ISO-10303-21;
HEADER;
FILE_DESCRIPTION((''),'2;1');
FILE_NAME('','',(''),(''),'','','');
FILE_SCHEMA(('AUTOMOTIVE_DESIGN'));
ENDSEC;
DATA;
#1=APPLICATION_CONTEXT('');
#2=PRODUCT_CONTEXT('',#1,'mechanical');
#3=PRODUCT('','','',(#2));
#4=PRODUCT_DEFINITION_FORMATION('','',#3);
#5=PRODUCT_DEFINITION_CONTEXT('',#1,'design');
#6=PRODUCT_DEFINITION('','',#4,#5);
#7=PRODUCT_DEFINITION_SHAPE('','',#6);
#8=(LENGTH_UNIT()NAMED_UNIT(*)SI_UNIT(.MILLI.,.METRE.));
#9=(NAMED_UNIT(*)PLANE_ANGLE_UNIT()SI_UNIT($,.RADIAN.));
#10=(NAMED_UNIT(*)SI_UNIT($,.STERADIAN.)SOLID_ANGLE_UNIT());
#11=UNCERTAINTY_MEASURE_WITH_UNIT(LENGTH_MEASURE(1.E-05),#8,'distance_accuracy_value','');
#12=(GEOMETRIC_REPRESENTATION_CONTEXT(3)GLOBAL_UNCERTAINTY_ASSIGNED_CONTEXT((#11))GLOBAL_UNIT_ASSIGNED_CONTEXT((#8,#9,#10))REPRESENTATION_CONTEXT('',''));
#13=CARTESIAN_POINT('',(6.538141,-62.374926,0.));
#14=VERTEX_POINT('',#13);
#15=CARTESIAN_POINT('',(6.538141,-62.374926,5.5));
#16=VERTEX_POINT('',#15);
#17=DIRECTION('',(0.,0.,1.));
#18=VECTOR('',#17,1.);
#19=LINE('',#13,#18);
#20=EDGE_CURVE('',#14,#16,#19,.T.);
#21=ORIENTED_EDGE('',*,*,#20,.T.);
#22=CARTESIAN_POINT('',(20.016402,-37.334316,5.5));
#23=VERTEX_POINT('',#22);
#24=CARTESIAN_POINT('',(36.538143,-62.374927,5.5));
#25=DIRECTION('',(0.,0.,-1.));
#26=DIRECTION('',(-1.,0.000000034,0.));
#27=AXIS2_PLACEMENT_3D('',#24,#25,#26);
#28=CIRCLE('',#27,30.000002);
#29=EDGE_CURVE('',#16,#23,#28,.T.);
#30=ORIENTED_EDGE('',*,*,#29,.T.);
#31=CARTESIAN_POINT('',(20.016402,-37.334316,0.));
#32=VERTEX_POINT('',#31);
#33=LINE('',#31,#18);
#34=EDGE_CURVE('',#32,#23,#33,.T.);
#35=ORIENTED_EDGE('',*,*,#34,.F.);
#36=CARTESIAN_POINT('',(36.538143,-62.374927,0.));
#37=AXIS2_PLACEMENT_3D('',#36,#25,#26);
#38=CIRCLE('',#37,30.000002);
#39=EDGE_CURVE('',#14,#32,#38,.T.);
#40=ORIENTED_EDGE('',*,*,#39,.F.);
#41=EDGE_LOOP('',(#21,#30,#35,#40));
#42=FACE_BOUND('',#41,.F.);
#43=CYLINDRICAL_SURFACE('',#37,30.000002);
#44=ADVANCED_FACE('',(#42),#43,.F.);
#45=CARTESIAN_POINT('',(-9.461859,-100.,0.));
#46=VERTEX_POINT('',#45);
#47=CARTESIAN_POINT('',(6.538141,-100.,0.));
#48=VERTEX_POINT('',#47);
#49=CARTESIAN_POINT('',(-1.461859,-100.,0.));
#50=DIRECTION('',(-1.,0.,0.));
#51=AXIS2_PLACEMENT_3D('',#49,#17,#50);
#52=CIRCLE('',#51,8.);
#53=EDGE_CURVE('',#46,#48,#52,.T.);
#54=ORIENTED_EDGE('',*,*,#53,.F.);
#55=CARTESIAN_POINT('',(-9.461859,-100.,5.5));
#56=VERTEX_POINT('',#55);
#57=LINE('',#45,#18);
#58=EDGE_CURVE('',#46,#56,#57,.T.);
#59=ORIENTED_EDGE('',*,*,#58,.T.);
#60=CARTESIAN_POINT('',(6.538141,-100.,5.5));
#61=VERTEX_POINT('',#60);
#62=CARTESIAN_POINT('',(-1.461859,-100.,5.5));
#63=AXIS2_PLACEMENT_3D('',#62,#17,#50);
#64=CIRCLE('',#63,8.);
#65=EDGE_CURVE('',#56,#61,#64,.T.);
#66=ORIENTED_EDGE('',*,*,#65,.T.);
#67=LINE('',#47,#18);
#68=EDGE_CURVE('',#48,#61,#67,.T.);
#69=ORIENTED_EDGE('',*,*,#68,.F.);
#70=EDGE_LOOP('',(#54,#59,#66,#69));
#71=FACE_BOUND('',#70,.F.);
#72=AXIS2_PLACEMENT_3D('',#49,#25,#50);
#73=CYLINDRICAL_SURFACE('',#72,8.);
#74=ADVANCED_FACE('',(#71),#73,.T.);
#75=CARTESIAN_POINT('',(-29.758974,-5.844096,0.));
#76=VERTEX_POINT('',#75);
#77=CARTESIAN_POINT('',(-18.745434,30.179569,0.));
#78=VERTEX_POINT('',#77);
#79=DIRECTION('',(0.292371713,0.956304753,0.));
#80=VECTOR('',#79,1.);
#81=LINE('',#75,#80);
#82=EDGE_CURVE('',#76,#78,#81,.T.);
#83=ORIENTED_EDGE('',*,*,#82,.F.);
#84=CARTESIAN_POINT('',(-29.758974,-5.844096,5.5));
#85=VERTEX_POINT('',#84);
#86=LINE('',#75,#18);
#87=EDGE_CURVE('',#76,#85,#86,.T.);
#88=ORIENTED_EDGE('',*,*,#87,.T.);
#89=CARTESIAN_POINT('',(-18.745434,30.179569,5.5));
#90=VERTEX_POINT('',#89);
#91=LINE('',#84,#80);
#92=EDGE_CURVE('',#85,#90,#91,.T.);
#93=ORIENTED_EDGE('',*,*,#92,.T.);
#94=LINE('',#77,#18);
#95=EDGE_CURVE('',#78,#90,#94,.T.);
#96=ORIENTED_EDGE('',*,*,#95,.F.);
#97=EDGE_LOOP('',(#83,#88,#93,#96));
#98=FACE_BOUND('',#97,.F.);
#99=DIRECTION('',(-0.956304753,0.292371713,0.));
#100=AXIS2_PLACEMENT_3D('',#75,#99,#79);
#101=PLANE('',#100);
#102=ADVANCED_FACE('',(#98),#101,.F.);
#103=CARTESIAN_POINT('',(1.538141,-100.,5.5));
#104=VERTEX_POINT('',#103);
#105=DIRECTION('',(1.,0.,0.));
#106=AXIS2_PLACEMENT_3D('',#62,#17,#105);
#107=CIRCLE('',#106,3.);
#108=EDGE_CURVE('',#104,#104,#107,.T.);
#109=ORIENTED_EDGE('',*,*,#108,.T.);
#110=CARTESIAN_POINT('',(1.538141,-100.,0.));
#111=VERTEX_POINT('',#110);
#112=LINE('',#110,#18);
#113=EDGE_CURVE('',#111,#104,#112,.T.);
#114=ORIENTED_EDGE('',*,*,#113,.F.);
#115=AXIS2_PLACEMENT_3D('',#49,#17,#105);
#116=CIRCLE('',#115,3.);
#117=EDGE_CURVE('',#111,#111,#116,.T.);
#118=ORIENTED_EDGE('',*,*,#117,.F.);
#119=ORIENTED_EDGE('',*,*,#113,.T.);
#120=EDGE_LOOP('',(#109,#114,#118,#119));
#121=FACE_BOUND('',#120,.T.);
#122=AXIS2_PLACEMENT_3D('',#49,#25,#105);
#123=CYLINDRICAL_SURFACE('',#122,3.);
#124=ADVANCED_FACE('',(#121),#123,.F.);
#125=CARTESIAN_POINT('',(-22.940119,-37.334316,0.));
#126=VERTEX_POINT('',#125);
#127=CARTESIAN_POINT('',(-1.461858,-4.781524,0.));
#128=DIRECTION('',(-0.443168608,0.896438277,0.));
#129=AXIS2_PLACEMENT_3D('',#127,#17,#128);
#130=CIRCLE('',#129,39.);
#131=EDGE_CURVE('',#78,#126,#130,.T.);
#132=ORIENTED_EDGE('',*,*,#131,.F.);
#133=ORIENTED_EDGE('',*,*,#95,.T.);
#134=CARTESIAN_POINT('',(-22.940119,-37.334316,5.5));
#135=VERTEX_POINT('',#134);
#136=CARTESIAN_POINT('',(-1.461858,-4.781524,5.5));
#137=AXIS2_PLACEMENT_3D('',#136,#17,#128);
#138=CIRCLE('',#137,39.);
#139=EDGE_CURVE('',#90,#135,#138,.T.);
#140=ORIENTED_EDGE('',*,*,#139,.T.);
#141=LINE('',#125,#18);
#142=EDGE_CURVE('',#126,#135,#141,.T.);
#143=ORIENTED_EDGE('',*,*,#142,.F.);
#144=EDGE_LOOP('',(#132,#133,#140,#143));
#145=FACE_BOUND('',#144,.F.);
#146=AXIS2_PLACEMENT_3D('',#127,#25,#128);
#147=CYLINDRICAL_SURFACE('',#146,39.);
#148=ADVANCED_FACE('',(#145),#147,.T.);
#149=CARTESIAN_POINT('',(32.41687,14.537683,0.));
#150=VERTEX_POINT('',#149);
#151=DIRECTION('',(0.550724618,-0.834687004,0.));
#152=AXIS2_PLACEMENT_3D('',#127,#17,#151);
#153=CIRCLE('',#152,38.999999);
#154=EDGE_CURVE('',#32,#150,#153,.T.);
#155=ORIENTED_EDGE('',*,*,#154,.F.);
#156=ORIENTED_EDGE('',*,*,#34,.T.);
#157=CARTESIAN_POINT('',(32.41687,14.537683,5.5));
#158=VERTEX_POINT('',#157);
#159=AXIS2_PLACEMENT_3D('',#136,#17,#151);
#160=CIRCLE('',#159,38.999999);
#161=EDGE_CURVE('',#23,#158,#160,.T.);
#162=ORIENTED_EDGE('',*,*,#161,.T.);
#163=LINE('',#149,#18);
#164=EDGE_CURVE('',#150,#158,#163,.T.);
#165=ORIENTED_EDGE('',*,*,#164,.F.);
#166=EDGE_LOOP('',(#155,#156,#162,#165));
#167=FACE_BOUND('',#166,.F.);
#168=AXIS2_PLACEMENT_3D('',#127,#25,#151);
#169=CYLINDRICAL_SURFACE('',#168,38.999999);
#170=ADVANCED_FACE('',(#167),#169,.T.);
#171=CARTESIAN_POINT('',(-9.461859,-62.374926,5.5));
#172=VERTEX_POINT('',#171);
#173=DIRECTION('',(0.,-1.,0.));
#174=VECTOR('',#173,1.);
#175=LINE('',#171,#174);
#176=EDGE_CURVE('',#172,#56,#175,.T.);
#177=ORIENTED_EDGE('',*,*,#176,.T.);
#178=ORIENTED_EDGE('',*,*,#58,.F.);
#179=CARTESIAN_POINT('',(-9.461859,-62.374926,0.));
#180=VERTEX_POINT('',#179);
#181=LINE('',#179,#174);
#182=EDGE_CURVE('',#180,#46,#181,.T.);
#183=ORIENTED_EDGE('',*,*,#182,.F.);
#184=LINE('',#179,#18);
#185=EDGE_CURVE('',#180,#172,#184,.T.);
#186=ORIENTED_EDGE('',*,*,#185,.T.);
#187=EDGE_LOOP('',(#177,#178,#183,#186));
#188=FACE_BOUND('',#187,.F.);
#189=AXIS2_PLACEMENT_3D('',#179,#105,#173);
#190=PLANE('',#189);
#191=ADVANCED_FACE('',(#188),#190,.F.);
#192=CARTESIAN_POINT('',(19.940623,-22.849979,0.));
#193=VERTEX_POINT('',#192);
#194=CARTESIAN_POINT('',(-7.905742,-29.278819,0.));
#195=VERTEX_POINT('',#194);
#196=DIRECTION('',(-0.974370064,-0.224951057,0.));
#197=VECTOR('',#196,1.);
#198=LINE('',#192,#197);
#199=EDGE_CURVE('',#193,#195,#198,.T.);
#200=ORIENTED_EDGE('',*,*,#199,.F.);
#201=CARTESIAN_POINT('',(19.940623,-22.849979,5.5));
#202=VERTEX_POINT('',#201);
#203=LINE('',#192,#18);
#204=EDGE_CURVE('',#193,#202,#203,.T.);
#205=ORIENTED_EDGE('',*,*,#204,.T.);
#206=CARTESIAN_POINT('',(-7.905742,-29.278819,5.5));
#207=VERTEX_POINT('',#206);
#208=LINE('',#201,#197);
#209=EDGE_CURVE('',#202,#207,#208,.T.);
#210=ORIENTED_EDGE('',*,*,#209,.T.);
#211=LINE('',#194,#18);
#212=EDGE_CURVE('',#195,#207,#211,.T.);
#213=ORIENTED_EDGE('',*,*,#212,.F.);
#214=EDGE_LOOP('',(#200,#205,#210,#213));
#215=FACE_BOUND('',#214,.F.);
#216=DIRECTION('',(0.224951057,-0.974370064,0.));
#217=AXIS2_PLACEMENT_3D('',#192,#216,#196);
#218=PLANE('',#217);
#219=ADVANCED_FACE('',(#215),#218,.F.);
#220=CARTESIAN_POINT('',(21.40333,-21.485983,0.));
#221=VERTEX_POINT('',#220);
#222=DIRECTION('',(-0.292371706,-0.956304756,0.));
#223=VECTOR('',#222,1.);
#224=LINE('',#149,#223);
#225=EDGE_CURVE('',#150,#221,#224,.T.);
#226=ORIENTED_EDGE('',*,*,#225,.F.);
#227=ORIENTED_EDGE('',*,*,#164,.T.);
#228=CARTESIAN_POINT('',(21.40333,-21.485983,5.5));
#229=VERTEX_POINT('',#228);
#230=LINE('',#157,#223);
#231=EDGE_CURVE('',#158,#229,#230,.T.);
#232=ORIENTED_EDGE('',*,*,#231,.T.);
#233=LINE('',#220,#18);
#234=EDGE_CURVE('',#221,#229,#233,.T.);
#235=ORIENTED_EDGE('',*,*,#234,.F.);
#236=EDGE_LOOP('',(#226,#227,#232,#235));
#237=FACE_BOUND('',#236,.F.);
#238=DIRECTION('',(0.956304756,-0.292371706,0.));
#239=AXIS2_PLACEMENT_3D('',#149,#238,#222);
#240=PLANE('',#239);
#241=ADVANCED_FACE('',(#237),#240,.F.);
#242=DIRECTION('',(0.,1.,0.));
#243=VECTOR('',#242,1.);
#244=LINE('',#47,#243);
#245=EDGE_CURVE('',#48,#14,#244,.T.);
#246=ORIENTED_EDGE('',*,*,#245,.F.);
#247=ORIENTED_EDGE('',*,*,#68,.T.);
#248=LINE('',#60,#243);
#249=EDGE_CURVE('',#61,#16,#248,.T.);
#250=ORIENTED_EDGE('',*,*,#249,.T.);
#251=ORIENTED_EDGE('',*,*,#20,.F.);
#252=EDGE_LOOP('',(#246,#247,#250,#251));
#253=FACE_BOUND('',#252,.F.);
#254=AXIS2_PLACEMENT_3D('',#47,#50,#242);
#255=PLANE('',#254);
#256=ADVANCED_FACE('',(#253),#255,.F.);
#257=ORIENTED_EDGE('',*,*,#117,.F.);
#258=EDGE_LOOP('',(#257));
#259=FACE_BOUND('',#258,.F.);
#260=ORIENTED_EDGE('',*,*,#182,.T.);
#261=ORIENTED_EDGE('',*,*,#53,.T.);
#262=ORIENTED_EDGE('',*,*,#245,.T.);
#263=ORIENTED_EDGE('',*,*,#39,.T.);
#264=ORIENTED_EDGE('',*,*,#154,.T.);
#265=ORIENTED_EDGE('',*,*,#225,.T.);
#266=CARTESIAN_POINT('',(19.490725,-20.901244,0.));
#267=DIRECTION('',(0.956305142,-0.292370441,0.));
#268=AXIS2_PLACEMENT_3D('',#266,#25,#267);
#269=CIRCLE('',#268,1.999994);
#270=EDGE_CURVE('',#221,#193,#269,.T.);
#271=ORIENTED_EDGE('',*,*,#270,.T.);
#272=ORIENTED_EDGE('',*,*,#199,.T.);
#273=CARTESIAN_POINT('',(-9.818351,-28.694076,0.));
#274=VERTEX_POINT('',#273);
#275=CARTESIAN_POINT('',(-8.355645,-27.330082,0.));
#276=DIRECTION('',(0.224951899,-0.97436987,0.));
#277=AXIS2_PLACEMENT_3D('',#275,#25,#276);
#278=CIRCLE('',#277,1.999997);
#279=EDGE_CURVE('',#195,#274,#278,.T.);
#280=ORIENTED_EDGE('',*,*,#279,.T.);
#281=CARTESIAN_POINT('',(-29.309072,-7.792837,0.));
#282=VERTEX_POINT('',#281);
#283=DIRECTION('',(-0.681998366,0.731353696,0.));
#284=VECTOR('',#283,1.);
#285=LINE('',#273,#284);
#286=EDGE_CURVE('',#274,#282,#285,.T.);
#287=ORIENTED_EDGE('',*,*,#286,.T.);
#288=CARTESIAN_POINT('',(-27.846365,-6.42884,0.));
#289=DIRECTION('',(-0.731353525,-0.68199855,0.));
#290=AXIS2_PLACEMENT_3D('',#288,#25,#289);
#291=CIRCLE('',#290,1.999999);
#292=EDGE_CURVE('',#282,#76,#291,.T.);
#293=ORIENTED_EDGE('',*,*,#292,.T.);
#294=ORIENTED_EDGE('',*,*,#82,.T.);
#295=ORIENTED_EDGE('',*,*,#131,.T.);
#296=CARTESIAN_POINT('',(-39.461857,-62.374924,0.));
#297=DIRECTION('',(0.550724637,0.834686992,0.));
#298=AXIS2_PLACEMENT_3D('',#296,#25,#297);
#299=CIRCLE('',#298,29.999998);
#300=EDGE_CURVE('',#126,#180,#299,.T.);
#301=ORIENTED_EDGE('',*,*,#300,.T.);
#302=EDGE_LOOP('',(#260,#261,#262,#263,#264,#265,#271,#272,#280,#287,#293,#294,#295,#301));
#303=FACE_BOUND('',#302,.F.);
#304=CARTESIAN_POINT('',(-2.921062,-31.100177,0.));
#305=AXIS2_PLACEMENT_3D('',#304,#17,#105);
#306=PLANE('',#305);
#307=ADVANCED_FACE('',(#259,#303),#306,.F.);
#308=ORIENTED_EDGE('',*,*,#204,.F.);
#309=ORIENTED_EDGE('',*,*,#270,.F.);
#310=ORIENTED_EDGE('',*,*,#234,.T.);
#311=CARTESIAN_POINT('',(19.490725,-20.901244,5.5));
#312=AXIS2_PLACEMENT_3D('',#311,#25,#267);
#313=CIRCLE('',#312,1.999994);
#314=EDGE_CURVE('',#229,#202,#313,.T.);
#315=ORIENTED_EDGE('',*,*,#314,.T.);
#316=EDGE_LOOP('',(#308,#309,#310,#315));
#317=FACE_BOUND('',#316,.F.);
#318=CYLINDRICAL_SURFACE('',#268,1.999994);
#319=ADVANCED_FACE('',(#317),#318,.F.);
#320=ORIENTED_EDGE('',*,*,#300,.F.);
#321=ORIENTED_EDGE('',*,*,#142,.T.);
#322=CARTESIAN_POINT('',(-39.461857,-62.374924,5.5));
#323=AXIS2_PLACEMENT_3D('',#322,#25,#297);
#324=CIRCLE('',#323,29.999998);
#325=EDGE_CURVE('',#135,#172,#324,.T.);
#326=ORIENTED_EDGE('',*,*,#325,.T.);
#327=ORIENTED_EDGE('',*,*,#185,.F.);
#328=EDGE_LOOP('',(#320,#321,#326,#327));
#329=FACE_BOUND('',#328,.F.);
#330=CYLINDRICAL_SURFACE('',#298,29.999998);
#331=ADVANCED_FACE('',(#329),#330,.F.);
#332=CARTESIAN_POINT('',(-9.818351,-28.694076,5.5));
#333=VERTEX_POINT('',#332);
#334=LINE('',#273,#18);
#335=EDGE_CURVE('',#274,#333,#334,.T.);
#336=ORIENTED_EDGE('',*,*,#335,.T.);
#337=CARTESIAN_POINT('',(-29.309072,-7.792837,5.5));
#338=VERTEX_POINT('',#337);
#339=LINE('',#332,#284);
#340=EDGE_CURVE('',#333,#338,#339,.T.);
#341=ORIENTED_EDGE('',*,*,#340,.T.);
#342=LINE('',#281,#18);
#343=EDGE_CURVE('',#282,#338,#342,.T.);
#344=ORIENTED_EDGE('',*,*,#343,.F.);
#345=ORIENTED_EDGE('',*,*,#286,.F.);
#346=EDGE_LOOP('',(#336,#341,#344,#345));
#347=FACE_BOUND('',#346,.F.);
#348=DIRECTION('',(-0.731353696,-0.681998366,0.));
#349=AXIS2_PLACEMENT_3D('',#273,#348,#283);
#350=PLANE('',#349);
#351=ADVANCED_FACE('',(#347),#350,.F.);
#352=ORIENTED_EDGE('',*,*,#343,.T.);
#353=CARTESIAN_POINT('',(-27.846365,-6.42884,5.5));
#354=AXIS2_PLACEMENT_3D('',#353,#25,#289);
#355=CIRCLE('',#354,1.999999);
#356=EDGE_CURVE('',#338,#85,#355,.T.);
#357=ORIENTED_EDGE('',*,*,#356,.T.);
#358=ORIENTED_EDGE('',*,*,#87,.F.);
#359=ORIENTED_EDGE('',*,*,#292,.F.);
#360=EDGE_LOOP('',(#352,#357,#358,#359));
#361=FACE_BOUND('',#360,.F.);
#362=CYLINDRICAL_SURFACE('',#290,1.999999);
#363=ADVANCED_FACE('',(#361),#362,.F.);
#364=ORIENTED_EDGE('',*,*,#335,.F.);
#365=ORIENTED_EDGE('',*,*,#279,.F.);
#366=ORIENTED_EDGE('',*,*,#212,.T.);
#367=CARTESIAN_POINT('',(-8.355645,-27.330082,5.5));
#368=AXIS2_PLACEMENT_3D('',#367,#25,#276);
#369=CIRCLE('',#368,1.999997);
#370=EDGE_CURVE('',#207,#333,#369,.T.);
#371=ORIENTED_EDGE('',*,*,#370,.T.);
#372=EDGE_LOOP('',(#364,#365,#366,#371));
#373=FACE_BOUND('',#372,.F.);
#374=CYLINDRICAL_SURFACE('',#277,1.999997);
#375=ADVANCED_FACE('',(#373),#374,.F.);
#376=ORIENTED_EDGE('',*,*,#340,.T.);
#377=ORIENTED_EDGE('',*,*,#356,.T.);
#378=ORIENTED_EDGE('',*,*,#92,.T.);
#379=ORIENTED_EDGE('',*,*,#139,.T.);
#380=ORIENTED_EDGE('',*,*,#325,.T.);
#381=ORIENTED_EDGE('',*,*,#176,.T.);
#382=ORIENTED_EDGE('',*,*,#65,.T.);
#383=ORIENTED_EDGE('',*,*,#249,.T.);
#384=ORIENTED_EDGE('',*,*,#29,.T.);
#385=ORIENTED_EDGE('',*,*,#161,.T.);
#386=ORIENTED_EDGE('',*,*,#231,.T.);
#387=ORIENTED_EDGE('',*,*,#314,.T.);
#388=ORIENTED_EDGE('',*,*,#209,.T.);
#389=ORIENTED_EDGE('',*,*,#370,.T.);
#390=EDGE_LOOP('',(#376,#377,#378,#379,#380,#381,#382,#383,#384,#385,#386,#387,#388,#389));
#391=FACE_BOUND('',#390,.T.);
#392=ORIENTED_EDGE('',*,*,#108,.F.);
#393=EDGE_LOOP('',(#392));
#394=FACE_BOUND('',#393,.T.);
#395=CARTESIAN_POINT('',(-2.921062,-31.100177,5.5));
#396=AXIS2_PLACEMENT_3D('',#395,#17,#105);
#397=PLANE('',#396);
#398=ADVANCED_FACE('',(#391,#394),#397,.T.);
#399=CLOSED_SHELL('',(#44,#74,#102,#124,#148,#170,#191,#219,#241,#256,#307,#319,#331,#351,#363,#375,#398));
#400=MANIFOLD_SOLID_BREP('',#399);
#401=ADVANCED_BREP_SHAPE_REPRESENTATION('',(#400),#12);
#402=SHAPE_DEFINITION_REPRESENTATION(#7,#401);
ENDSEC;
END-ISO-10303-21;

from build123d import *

# Parameters (mm, degrees)
F0_R     = 3
F1_DEPTH = 5.5


with BuildPart() as f1:
    # F0 (on Top) → F1 (new body)
    with BuildSketch(Plane.XY):
        with BuildLine():
            ThreePointArc((20.016402, -37.334316), (36.469331, -13.849316), (32.41687, 14.537683))
            Line((32.41687, 14.537683), (21.40333, -21.485983))
            ThreePointArc((21.40333, -21.485983), (20.854718, -22.363947), (19.940623, -22.849979))
            Line((19.940623, -22.849979), (-7.905742, -29.278819))
            ThreePointArc((-7.905742, -29.278819), (-8.940387, -29.242689), (-9.818351, -28.694076))
            Line((-9.818351, -28.694076), (-29.309072, -7.792837))
            ThreePointArc((-29.309072, -7.792837), (-29.795105, -6.878742), (-29.758974, -5.844096))
            Line((-29.758974, -5.844096), (-18.745434, 30.179569))
            ThreePointArc((-18.745434, 30.179569), (-40.386801, -2.36309), (-22.940119, -37.334316))
            ThreePointArc((-22.940119, -37.334316), (-13.04546, -48.156139), (-9.461859, -62.374926))
            Line((-9.461859, -62.374926), (-9.461859, -100))
            ThreePointArc((-9.461859, -100), (-1.461859, -108), (6.538141, -100))
            Line((6.538141, -100), (6.538141, -62.374926))
            ThreePointArc((6.538141, -62.374926), (10.121743, -48.156139), (20.016402, -37.334316))
        make_face()
        with Locations((-1.461859, -100)):
            Circle(F0_R, mode=Mode.SUBTRACT)
    extrude(amount=F1_DEPTH)


solid = f1.part
